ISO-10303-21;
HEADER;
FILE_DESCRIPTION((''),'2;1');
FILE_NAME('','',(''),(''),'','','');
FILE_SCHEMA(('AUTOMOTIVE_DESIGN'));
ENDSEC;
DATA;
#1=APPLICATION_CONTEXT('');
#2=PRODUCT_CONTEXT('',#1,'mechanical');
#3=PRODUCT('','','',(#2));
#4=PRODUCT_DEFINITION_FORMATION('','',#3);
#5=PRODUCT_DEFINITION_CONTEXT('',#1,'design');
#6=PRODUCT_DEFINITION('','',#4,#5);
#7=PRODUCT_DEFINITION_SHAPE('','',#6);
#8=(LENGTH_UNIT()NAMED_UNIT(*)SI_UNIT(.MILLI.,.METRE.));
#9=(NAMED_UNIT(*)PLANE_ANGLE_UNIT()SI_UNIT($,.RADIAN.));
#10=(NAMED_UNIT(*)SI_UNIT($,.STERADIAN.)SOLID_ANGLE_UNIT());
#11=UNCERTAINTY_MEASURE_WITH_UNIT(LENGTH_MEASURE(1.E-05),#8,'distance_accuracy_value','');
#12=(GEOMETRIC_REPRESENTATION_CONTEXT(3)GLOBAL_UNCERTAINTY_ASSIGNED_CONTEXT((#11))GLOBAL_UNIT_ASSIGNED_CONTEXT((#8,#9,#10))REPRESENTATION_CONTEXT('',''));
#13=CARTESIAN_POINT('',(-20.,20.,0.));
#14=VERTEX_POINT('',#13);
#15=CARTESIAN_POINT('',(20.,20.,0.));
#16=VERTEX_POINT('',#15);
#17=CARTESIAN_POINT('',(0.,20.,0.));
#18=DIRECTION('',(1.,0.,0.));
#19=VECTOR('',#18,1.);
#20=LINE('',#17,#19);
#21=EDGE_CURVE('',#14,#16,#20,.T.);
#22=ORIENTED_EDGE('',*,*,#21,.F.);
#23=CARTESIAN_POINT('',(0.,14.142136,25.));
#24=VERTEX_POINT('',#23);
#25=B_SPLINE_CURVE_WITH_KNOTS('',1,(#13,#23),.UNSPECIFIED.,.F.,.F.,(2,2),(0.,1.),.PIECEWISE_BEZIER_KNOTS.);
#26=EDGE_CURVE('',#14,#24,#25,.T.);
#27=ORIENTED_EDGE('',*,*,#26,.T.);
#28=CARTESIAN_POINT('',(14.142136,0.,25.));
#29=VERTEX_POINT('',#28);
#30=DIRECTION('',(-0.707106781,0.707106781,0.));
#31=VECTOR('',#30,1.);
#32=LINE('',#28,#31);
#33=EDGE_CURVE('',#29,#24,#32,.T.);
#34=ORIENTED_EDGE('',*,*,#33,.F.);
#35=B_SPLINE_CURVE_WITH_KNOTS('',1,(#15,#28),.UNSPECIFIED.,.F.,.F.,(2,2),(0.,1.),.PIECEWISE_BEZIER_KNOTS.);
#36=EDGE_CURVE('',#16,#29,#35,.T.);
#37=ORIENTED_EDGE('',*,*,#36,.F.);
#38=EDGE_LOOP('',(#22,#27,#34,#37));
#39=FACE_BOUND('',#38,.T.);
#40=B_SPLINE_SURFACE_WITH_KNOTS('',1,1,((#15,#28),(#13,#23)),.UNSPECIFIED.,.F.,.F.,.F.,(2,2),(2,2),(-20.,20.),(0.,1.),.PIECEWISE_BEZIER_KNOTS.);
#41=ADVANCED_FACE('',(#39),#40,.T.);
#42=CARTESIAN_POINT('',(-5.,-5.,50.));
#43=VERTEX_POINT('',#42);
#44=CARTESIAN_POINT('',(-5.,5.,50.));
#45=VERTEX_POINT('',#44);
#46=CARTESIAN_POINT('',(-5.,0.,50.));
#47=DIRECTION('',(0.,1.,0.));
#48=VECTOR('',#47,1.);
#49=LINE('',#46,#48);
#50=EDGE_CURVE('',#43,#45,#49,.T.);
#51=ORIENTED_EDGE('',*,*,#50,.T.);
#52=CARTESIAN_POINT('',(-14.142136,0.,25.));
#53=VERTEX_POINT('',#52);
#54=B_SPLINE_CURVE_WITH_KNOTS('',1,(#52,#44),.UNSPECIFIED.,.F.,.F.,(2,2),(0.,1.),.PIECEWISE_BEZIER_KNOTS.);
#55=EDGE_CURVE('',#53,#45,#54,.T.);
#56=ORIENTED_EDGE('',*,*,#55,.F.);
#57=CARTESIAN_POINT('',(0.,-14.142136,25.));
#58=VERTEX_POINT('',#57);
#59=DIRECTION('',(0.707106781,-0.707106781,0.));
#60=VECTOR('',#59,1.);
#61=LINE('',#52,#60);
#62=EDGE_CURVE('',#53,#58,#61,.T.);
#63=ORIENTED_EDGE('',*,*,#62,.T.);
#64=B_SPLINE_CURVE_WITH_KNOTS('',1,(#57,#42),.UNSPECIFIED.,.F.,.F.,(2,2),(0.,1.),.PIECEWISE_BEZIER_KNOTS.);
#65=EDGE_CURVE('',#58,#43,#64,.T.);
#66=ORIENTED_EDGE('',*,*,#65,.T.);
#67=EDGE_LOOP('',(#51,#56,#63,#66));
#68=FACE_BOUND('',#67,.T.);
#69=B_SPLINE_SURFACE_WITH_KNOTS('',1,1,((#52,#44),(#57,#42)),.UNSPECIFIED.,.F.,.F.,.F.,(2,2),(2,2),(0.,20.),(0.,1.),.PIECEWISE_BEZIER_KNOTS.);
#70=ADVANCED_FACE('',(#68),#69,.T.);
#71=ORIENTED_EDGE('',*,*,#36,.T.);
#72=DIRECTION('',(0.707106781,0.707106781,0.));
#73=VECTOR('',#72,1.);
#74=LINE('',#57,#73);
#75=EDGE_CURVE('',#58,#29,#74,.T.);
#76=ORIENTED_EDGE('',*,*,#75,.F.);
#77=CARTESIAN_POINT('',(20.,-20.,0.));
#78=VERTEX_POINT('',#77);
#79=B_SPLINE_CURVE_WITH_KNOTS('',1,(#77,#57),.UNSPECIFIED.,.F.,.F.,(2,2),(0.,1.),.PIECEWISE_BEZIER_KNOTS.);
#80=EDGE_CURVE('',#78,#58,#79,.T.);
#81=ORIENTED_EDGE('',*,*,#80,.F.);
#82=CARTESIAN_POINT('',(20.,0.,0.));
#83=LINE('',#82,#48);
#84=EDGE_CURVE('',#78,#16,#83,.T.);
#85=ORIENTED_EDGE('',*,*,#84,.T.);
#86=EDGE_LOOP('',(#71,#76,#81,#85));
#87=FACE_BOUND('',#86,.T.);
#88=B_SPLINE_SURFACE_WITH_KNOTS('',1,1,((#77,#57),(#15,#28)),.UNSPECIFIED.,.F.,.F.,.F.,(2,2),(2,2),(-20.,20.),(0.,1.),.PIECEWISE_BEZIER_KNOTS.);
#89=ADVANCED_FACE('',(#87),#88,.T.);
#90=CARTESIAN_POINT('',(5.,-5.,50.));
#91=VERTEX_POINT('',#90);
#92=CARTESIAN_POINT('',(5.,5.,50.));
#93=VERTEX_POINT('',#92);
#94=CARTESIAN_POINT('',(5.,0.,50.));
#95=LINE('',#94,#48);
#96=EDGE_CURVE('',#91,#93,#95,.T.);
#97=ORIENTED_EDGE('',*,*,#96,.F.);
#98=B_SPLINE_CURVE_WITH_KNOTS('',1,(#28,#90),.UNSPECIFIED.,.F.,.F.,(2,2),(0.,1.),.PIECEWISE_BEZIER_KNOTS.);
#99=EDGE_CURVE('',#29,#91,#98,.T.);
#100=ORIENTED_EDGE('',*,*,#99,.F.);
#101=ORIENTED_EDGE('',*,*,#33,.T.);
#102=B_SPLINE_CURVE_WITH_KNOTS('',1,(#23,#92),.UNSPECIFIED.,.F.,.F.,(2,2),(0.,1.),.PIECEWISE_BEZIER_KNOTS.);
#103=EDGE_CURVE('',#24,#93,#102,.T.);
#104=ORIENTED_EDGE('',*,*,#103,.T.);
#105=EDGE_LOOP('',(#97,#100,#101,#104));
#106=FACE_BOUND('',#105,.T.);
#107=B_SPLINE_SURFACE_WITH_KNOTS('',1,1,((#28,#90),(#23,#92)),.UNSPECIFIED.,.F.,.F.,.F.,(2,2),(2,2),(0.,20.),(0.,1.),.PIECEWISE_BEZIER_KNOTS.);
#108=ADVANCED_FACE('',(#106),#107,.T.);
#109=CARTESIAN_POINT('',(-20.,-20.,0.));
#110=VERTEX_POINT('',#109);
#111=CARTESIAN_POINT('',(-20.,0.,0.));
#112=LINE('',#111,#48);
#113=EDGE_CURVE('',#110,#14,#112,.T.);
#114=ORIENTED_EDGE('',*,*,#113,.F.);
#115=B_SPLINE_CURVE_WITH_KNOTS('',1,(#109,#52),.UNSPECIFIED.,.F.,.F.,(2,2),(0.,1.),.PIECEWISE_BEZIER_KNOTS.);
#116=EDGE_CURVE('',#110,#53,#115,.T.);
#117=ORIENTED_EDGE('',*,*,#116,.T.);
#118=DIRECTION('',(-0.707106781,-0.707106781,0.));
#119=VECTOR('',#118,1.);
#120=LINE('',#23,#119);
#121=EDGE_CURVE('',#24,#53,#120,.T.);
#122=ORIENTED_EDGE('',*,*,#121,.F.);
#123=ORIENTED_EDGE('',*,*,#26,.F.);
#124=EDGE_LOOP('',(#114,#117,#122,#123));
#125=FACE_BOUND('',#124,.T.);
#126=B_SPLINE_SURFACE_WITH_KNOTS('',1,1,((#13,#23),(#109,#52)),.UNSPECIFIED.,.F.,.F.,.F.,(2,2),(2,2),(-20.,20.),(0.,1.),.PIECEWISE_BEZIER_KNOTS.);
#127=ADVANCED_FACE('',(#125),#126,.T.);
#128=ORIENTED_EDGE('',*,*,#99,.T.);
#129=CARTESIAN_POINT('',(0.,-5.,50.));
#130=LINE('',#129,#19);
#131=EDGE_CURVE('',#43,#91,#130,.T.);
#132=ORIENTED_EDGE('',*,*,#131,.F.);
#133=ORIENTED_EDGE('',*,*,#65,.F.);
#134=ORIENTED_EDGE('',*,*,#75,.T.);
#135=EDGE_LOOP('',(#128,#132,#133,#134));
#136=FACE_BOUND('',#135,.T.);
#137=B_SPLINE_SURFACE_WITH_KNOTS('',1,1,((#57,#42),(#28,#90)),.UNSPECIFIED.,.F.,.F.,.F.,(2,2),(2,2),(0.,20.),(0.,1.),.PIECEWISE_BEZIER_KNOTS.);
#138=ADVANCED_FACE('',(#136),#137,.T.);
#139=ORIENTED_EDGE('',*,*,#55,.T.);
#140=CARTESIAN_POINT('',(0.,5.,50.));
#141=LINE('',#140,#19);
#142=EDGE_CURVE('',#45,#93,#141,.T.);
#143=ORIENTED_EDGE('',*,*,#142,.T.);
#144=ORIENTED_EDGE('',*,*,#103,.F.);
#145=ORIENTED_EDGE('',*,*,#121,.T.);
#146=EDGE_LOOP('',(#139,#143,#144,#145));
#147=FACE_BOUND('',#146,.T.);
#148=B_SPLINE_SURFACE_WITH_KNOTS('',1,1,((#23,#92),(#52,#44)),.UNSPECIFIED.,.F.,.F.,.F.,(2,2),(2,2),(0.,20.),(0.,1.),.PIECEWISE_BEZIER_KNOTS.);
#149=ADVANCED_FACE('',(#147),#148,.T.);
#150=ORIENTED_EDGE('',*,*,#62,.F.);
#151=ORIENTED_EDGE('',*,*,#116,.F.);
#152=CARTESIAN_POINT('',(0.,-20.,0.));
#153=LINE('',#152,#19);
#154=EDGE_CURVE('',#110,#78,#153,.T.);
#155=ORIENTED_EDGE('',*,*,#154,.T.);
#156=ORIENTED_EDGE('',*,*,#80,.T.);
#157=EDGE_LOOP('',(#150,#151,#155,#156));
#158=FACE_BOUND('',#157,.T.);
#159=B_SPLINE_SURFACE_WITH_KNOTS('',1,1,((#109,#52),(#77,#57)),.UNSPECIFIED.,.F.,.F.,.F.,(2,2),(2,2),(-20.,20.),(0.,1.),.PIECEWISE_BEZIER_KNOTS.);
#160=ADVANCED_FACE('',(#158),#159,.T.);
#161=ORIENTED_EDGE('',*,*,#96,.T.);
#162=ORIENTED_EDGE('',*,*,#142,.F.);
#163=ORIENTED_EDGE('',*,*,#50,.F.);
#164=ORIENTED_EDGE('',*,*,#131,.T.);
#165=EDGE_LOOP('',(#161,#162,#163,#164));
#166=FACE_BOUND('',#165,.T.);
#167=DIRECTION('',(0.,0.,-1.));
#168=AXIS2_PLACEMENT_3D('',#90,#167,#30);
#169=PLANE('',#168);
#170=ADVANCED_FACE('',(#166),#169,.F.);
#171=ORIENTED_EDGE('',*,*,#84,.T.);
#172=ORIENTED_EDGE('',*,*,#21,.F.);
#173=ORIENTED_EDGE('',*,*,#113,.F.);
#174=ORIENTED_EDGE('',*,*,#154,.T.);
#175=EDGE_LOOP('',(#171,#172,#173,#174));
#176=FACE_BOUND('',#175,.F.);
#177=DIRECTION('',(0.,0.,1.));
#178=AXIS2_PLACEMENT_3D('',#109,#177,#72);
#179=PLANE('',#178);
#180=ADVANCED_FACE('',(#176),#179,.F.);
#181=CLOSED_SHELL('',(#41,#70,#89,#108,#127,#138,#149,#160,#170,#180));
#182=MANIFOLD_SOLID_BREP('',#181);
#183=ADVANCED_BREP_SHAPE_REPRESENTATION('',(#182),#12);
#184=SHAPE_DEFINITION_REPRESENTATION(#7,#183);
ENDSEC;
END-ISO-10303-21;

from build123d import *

# Parameters (mm, degrees)
F0_W = 40
F0_H = 40
F5_W = 10
F5_H = 10


with BuildPart() as f3:
    # F0 (on Top) → F3 section 0
    with BuildSketch(Plane.XY):
        Rectangle(F0_W, F0_H)
    # F2 (on offset) → F3 section 1
    with BuildSketch(Plane.XY.offset(25)):
        Polygon((0, 14.1421356237), (-14.1421356237, 0), (0, -14.1421356237), (14.1421356237, 0), align=None)
    loft()

    # F3_face (on face) → F6 section 0
    with BuildSketch(Plane.XY.offset(25)):
        Polygon((14.1421356237, 0), (0, 14.1421356237), (-14.1421356237, 0), (0, -14.1421356237), align=None)
    # F5 (on offset) → F6 section 1
    with BuildSketch(Plane.XY.offset(50)):
        Rectangle(F5_W, F5_H)
    loft()


solid = f3.part
